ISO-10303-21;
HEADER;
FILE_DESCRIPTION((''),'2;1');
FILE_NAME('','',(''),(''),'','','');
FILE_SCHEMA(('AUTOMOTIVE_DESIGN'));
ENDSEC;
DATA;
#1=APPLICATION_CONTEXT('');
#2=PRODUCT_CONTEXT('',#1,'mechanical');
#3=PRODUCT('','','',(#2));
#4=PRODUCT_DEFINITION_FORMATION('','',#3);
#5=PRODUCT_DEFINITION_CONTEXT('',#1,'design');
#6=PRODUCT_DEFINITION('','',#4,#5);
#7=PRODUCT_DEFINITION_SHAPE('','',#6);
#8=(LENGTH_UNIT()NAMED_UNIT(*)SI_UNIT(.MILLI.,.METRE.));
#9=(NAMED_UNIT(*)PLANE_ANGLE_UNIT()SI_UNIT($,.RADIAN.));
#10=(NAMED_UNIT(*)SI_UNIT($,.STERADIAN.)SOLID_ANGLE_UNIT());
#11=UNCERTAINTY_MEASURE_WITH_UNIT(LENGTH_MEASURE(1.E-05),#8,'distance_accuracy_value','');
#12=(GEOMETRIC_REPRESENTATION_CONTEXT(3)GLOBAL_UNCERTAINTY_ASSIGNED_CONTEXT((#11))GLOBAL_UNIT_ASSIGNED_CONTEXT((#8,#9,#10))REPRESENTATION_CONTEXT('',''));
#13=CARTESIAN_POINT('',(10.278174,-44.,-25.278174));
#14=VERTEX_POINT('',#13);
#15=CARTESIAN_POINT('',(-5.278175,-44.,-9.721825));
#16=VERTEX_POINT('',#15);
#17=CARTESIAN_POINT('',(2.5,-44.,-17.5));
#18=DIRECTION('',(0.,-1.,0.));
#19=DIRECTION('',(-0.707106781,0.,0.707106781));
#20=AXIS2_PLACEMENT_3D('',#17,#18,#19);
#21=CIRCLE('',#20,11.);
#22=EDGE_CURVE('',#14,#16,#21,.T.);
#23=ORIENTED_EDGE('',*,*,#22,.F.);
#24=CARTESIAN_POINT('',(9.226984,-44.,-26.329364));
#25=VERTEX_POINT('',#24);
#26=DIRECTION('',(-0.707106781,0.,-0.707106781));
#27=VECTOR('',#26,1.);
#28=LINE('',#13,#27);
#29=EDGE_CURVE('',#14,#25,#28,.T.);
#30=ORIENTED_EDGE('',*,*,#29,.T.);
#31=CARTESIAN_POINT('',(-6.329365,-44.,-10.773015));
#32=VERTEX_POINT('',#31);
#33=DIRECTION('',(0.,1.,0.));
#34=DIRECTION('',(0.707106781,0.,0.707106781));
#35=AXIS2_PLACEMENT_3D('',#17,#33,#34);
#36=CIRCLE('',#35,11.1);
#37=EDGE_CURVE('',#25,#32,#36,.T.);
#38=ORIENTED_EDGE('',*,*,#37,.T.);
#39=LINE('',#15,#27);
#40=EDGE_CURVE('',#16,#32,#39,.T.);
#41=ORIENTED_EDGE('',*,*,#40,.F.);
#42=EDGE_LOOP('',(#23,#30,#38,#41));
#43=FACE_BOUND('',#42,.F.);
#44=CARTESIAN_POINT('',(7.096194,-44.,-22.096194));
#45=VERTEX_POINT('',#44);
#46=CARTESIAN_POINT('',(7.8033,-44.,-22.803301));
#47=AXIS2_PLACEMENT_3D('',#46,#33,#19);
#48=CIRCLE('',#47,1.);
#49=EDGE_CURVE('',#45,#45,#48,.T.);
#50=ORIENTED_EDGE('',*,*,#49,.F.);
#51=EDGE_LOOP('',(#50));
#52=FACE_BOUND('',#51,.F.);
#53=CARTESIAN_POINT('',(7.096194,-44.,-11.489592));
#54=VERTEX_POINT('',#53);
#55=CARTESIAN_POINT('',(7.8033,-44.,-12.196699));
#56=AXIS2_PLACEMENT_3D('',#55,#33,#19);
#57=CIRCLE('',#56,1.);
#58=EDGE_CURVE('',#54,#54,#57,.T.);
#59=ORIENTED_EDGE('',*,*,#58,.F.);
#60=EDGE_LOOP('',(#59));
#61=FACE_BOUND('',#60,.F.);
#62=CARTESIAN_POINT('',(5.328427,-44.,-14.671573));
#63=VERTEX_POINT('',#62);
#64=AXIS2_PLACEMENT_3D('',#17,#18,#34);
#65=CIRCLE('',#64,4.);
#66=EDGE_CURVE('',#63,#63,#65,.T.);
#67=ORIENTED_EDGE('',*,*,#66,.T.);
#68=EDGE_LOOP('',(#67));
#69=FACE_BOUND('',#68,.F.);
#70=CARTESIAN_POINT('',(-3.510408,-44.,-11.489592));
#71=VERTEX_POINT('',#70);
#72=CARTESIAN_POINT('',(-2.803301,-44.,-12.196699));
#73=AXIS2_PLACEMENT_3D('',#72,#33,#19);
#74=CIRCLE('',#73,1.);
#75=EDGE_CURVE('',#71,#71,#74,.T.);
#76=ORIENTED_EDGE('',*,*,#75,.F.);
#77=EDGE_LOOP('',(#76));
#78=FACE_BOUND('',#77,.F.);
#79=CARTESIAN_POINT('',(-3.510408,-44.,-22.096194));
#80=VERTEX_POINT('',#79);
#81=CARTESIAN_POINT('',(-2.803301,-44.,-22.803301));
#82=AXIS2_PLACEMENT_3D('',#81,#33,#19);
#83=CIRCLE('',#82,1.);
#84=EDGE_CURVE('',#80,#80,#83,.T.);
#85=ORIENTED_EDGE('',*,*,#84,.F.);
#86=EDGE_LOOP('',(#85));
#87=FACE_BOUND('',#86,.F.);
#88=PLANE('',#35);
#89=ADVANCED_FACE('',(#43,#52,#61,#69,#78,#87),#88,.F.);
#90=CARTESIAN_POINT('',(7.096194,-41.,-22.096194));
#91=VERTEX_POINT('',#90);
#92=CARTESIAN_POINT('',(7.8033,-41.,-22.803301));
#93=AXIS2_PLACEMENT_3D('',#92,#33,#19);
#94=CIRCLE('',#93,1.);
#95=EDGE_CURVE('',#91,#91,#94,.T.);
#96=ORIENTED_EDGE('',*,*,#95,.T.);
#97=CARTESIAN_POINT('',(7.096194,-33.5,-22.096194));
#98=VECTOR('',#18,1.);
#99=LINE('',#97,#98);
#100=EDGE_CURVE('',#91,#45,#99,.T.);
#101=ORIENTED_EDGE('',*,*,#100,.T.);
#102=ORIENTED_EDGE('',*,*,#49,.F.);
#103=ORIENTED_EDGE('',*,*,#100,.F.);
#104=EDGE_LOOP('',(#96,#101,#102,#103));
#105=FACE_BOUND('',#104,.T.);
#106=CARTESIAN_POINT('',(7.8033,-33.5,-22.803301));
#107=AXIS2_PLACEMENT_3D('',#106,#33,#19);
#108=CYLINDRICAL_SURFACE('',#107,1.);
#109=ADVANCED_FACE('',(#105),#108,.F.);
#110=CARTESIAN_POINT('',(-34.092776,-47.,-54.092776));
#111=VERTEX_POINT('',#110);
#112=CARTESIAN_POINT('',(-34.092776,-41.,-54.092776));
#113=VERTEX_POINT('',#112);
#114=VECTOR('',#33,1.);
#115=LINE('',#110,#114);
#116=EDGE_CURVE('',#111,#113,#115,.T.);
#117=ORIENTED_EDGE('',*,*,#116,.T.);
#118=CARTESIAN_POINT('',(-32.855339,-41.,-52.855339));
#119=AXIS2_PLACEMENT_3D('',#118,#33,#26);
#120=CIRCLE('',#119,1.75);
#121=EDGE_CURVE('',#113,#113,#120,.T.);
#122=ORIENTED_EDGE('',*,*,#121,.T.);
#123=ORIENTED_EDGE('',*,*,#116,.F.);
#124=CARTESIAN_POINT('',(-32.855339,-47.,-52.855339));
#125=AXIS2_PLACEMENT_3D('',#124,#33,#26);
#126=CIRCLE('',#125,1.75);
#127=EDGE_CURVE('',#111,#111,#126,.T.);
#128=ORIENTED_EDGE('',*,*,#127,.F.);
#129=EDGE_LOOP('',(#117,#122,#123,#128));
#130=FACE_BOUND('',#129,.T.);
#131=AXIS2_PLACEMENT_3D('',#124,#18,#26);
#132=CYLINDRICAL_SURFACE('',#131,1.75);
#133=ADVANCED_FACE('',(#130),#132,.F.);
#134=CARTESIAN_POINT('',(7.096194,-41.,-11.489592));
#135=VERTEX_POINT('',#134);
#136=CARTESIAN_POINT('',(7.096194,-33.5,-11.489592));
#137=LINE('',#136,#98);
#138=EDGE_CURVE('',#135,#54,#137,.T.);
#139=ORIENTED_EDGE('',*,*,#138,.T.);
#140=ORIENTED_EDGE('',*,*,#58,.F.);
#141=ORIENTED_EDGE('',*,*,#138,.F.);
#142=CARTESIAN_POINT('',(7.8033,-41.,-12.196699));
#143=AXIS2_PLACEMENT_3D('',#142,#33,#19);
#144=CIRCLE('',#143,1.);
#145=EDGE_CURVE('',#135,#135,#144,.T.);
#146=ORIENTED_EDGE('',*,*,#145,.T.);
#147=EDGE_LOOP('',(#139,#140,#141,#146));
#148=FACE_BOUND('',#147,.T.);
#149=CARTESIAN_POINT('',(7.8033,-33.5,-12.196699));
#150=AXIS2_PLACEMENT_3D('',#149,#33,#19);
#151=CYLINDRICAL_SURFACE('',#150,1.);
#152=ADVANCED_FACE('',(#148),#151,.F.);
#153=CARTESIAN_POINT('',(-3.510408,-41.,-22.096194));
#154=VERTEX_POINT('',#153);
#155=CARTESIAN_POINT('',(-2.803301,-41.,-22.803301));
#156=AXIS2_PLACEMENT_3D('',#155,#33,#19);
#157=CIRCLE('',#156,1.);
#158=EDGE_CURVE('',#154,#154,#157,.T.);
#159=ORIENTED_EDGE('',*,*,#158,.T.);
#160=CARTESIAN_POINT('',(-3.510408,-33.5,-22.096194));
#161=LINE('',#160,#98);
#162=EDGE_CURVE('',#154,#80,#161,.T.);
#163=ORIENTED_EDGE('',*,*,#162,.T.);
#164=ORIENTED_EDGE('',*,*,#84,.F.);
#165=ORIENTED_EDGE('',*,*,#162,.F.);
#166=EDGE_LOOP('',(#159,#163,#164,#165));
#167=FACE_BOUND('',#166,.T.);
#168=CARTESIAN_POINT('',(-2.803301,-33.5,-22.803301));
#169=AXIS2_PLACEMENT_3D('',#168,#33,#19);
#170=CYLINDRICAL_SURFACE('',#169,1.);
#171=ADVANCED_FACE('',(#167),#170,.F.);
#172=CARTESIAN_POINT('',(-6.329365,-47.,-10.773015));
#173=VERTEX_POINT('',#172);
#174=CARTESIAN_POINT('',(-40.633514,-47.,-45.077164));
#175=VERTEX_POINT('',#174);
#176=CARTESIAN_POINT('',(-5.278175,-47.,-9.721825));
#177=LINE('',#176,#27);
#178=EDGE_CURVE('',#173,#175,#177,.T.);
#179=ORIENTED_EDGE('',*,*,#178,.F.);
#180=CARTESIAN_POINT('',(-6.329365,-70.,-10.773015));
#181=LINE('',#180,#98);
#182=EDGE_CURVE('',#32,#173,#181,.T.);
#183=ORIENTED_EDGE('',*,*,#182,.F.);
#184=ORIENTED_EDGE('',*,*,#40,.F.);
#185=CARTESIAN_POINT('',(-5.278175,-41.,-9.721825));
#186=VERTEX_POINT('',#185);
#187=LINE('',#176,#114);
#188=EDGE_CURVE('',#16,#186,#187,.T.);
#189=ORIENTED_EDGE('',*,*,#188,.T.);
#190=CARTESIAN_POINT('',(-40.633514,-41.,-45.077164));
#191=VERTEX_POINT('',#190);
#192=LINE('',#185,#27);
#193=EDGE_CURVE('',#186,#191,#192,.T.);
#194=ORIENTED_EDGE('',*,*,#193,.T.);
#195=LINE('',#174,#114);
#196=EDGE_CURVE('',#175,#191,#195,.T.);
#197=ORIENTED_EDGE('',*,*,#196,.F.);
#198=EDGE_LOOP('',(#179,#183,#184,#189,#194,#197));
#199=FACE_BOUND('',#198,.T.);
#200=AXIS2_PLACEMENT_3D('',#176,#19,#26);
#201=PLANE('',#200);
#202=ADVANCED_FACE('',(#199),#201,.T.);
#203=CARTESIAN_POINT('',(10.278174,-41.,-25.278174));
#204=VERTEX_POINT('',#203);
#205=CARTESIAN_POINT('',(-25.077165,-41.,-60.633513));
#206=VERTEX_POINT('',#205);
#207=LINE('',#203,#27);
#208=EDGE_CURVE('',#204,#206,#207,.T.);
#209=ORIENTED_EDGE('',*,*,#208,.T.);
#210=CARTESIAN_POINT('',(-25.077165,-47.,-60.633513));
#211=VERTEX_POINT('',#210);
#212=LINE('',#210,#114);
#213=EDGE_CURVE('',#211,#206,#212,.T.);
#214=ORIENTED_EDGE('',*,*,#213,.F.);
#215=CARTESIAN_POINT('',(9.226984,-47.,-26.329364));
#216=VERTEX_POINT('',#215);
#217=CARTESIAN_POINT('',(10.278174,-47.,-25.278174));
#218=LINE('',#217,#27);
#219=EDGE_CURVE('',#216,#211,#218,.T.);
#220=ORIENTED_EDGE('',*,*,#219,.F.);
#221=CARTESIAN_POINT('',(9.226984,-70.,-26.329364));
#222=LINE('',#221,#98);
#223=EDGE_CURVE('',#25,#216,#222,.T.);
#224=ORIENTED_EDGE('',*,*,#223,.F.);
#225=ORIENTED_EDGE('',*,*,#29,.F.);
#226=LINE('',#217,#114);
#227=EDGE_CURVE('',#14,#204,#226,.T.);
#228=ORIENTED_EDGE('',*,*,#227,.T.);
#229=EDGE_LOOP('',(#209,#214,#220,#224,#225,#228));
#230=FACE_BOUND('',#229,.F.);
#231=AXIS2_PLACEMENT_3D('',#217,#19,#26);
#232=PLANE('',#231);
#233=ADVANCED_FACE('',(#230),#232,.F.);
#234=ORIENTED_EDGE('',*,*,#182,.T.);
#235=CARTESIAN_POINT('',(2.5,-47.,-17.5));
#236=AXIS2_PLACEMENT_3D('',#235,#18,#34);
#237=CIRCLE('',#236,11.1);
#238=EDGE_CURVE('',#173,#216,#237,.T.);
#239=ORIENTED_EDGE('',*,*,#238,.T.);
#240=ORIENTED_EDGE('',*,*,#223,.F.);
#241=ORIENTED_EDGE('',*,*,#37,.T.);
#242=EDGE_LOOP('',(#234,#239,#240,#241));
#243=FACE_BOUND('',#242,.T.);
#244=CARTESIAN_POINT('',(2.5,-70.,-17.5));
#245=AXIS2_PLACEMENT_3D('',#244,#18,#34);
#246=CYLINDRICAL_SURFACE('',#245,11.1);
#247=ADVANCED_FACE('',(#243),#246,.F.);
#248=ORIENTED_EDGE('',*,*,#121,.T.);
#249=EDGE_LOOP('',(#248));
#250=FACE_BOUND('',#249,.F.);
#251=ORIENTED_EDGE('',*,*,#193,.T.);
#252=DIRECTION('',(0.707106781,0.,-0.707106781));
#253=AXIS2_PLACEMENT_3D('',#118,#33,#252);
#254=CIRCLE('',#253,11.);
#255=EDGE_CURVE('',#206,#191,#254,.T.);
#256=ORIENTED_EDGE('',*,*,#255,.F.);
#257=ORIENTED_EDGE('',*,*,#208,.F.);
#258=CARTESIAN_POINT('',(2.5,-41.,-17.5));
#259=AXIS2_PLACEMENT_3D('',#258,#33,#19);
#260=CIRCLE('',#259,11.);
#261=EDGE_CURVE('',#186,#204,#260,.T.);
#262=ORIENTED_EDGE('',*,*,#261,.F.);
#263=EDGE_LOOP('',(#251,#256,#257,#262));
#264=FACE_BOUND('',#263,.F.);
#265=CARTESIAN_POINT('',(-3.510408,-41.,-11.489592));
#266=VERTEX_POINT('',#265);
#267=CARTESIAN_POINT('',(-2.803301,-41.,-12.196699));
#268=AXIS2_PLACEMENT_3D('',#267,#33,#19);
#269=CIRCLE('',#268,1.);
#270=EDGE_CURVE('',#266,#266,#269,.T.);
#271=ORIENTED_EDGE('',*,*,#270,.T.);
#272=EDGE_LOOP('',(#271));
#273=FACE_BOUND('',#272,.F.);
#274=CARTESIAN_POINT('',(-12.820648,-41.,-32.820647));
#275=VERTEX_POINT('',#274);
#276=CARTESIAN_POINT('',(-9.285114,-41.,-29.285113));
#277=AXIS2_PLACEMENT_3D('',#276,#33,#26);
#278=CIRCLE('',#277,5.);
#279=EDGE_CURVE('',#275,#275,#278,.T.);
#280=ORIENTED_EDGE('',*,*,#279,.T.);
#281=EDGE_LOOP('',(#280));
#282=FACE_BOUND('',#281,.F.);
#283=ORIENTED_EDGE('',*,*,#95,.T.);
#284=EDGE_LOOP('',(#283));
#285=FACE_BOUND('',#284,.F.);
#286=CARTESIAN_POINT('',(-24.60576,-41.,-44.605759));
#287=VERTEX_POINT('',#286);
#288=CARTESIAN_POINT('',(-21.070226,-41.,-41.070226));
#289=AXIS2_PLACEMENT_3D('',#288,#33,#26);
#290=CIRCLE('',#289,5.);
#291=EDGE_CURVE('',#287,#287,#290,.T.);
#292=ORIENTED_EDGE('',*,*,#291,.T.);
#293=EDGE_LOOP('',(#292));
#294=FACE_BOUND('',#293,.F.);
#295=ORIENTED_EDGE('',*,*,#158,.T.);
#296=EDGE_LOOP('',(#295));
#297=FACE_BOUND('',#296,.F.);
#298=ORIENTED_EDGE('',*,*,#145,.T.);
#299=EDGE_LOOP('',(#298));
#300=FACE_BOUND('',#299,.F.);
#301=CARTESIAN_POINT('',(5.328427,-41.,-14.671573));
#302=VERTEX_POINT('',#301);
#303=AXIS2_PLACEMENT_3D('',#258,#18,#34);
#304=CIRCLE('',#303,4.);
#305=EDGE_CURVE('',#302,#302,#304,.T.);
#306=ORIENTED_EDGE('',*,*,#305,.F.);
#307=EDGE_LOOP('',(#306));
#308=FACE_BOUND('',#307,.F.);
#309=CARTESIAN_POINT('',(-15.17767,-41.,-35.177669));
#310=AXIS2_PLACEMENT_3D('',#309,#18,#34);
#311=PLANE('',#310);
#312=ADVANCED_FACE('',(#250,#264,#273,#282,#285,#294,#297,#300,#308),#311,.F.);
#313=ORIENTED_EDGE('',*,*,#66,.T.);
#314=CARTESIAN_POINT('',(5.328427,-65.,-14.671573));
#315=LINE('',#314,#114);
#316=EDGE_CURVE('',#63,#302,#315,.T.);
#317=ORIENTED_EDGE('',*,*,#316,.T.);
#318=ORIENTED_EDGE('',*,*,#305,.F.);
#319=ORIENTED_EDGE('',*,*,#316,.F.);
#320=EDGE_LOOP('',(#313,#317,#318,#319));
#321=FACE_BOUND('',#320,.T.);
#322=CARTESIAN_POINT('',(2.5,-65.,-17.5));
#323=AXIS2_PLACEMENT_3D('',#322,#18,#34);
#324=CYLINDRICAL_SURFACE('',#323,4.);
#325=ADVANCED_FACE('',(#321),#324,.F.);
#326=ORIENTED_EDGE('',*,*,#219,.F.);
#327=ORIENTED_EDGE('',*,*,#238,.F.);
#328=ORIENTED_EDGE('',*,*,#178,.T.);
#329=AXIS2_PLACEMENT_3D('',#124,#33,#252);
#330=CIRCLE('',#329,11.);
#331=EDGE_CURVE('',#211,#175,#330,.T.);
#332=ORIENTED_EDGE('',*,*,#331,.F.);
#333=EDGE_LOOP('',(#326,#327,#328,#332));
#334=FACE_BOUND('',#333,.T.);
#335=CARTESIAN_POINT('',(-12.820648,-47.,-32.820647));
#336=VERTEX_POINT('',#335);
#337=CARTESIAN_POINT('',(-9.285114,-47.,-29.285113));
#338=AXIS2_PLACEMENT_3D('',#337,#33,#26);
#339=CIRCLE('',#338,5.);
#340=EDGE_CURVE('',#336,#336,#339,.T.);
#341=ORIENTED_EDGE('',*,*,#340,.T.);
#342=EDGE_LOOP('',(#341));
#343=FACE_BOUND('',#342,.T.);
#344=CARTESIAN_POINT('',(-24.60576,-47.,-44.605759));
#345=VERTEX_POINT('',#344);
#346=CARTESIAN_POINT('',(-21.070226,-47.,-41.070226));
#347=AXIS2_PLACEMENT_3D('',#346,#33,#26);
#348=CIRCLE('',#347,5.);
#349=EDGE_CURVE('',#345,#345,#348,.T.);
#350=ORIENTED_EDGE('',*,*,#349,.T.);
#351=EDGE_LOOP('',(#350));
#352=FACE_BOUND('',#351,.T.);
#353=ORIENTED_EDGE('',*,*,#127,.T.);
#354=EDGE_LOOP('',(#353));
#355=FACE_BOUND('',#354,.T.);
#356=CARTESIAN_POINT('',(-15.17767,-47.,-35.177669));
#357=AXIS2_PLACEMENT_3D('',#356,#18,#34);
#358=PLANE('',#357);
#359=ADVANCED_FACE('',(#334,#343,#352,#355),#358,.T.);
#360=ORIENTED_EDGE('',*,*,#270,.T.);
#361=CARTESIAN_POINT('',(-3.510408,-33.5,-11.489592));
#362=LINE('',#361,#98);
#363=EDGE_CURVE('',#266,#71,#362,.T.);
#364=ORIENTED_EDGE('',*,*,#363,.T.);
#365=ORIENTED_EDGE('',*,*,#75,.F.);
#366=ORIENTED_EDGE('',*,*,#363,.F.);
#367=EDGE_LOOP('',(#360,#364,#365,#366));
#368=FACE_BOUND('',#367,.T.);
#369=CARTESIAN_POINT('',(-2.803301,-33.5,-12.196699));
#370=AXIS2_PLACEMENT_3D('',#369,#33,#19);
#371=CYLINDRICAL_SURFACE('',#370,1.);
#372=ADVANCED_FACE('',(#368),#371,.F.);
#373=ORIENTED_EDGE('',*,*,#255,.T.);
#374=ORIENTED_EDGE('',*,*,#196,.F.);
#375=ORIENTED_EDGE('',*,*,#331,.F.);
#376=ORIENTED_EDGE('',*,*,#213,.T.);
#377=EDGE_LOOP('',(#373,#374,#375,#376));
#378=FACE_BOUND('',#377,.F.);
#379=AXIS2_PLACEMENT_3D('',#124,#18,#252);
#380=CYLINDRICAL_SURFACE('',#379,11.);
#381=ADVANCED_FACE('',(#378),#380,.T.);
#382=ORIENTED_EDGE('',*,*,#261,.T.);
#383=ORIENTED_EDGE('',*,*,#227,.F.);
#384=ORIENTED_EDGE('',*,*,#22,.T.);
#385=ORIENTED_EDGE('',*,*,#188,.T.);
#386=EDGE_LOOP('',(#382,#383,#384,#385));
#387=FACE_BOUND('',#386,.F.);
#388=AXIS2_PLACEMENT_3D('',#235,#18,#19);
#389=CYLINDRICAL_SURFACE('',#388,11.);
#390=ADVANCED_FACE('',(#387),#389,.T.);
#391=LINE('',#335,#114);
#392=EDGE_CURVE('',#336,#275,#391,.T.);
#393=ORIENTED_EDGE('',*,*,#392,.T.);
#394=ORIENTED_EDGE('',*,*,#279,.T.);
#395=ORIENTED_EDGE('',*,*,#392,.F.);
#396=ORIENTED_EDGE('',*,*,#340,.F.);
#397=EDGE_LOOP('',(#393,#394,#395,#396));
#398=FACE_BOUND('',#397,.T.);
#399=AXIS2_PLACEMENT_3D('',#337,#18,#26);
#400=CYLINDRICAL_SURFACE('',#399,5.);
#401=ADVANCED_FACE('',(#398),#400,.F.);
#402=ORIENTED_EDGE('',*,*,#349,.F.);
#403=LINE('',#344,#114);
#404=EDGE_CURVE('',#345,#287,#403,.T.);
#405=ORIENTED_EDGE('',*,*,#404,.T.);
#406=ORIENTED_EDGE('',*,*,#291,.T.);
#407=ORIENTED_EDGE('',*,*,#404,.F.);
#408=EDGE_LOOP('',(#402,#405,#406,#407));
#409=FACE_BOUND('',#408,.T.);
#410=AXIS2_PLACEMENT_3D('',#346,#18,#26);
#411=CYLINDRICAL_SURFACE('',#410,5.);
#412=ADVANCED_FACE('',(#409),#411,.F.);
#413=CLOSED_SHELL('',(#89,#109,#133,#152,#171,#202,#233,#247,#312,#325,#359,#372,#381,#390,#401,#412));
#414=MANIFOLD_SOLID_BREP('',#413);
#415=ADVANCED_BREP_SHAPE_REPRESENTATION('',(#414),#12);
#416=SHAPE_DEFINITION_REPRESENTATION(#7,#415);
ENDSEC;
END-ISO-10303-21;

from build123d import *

# Parameters (mm, degrees)
CYLINDER020_R             = 11.1
CYLINDER020_DEPTH         = 26
CYLINDER019_R             = 4
CYLINDER019_DEPTH         = 43
CYLINDER021_R             = 1
CYLINDER021_DEPTH         = 31
CYLINDER024_R             = 1
CYLINDER024_DEPTH         = 31
CYLINDER023_R             = 1
CYLINDER023_DEPTH         = 31
CYLINDER022_R             = 1
CYLINDER022_DEPTH         = 31
FUSION002_ROLL_ANGLE      = -90
FUSION003_PLACEMENT_ANGLE = 180
SKETCH_R                  = 5
SKETCH_R_2                = 1.75
PAD_DEPTH                 = 6
CUT_PITCH_ANGLE           = 90
CLONE017_PITCH_ANGLE      = -45


with BuildPart() as cylinder141:
    # Cylinder020 → Cylinder020 (new body)
    with BuildSketch(Plane(origin=(-3, 71, 73), x_dir=(0, 0, 1), z_dir=(0, -1, 0))):
        Circle(CYLINDER020_R)
    extrude(amount=CYLINDER020_DEPTH)


with BuildPart() as fusion001:
    # Cylinder019 → Cylinder019 (new body)
    with BuildSketch(Plane(origin=(-3, 66, 73), x_dir=(0, 0, 1), z_dir=(0, -1, 0))):
        Circle(CYLINDER019_R)
    extrude(amount=CYLINDER019_DEPTH)

    # Fusion001: union Cylinder141
    add(cylinder141.part)


with BuildPart() as cylinder096:
    # Cylinder021 → Cylinder021 (new body)
    with BuildSketch(Plane(origin=(-7.5, -11, 132), x_dir=(1, 0, 0), z_dir=(0, 0, 1))):
        Circle(CYLINDER021_R)
    extrude(amount=CYLINDER021_DEPTH)


with BuildPart() as cylinder146:
    # Cylinder024 → Cylinder024 (new body)
    with BuildSketch(Plane(origin=(0, -3.5, 132), x_dir=(1, 0, 0), z_dir=(0, 0, 1))):
        Circle(CYLINDER024_R)
    extrude(amount=CYLINDER024_DEPTH)


with BuildPart() as cylinder145:
    # Cylinder023 → Cylinder023 (new body)
    with BuildSketch(Plane(origin=(7.5, -11, 132), x_dir=(1, 0, 0), z_dir=(0, 0, 1))):
        Circle(CYLINDER023_R)
    extrude(amount=CYLINDER023_DEPTH)


with BuildPart() as fusion003:
    # Cylinder022 → Cylinder022 (new body)
    with BuildSketch(Plane(origin=(0, -18.5, 132), x_dir=(1, 0, 0), z_dir=(0, 0, 1))):
        Circle(CYLINDER022_R)
    extrude(amount=CYLINDER022_DEPTH)

    # Fusion002: union Cylinder096, Cylinder146, Cylinder145
    add(cylinder096.part)
    add(cylinder146.part)
    add(cylinder145.part)


with BuildPart() as fusion003_1:
    # Fusion002 roll: moved
    add(fusion003.part.rotate(Axis((0, 0, 0), (1, 0, 0)), FUSION002_ROLL_ANGLE))


with BuildPart() as fusion003_2:
    # Fusion002 placement: moved
    add(fusion003_1.part.moved(Location((-3, -97.5, 62))))

    # Fusion003: union Fusion001
    add(fusion001.part)


with BuildPart() as fusion003_3:
    # Fusion003 placement: moved
    add(fusion003_2.part.moved(Location((-0.5, 88, -87))).rotate(Axis((-0.5, 88, -87), (0, 0, 1)), FUSION003_PLACEMENT_ANGLE))


with BuildPart() as clone_of_cut001:
    # Sketch → Pad (new body)
    with BuildSketch(Plane(origin=(-11.5, 40, -16.5), x_dir=(0, 0, -1), z_dir=(0, 1, 0))):
        with BuildLine():
            Line((-2.5, -3), (47.5, -3))
            ThreePointArc((47.5, -25), (58.5, -14), (47.5, -3))
            Line((-2.5, -25), (47.5, -25))
            ThreePointArc((-2.5, -3), (-13.5, -14), (-2.5, -25))
        make_face()
        with Locations((14.166667, -14)):
            Circle(SKETCH_R, mode=Mode.SUBTRACT)
        with Locations((30.833333, -14)):
            Circle(SKETCH_R, mode=Mode.SUBTRACT)
        with Locations((47.5, -14)):
            Circle(SKETCH_R_2, mode=Mode.SUBTRACT)
    extrude(amount=PAD_DEPTH)

    # Cut: cut Fusion003
    add(fusion003_3.part, mode=Mode.SUBTRACT)


with BuildPart() as clone_of_cut001_1:
    # Cut pitch: moved
    add(clone_of_cut001.part.rotate(Axis((0, 0, 0), (0, 1, 0)), CUT_PITCH_ANGLE))


with BuildPart() as clone_of_cut001_2:
    # Cut placement: moved
    add(clone_of_cut001_1.part.moved(Location((16.5, -87, -15))))


with BuildPart() as clone_of_cut001_3:
    # Clone017 pitch: moved
    add(clone_of_cut001_2.part.rotate(Axis((0, 0, 0), (0, 1, 0)), CLONE017_PITCH_ANGLE))


with BuildPart() as clone_of_cut001_4:
    # Clone017 placement: moved
    add(clone_of_cut001_3.part.moved(Location((-11.642136, 0, -6.893398))))


solid = clone_of_cut001_4.part
